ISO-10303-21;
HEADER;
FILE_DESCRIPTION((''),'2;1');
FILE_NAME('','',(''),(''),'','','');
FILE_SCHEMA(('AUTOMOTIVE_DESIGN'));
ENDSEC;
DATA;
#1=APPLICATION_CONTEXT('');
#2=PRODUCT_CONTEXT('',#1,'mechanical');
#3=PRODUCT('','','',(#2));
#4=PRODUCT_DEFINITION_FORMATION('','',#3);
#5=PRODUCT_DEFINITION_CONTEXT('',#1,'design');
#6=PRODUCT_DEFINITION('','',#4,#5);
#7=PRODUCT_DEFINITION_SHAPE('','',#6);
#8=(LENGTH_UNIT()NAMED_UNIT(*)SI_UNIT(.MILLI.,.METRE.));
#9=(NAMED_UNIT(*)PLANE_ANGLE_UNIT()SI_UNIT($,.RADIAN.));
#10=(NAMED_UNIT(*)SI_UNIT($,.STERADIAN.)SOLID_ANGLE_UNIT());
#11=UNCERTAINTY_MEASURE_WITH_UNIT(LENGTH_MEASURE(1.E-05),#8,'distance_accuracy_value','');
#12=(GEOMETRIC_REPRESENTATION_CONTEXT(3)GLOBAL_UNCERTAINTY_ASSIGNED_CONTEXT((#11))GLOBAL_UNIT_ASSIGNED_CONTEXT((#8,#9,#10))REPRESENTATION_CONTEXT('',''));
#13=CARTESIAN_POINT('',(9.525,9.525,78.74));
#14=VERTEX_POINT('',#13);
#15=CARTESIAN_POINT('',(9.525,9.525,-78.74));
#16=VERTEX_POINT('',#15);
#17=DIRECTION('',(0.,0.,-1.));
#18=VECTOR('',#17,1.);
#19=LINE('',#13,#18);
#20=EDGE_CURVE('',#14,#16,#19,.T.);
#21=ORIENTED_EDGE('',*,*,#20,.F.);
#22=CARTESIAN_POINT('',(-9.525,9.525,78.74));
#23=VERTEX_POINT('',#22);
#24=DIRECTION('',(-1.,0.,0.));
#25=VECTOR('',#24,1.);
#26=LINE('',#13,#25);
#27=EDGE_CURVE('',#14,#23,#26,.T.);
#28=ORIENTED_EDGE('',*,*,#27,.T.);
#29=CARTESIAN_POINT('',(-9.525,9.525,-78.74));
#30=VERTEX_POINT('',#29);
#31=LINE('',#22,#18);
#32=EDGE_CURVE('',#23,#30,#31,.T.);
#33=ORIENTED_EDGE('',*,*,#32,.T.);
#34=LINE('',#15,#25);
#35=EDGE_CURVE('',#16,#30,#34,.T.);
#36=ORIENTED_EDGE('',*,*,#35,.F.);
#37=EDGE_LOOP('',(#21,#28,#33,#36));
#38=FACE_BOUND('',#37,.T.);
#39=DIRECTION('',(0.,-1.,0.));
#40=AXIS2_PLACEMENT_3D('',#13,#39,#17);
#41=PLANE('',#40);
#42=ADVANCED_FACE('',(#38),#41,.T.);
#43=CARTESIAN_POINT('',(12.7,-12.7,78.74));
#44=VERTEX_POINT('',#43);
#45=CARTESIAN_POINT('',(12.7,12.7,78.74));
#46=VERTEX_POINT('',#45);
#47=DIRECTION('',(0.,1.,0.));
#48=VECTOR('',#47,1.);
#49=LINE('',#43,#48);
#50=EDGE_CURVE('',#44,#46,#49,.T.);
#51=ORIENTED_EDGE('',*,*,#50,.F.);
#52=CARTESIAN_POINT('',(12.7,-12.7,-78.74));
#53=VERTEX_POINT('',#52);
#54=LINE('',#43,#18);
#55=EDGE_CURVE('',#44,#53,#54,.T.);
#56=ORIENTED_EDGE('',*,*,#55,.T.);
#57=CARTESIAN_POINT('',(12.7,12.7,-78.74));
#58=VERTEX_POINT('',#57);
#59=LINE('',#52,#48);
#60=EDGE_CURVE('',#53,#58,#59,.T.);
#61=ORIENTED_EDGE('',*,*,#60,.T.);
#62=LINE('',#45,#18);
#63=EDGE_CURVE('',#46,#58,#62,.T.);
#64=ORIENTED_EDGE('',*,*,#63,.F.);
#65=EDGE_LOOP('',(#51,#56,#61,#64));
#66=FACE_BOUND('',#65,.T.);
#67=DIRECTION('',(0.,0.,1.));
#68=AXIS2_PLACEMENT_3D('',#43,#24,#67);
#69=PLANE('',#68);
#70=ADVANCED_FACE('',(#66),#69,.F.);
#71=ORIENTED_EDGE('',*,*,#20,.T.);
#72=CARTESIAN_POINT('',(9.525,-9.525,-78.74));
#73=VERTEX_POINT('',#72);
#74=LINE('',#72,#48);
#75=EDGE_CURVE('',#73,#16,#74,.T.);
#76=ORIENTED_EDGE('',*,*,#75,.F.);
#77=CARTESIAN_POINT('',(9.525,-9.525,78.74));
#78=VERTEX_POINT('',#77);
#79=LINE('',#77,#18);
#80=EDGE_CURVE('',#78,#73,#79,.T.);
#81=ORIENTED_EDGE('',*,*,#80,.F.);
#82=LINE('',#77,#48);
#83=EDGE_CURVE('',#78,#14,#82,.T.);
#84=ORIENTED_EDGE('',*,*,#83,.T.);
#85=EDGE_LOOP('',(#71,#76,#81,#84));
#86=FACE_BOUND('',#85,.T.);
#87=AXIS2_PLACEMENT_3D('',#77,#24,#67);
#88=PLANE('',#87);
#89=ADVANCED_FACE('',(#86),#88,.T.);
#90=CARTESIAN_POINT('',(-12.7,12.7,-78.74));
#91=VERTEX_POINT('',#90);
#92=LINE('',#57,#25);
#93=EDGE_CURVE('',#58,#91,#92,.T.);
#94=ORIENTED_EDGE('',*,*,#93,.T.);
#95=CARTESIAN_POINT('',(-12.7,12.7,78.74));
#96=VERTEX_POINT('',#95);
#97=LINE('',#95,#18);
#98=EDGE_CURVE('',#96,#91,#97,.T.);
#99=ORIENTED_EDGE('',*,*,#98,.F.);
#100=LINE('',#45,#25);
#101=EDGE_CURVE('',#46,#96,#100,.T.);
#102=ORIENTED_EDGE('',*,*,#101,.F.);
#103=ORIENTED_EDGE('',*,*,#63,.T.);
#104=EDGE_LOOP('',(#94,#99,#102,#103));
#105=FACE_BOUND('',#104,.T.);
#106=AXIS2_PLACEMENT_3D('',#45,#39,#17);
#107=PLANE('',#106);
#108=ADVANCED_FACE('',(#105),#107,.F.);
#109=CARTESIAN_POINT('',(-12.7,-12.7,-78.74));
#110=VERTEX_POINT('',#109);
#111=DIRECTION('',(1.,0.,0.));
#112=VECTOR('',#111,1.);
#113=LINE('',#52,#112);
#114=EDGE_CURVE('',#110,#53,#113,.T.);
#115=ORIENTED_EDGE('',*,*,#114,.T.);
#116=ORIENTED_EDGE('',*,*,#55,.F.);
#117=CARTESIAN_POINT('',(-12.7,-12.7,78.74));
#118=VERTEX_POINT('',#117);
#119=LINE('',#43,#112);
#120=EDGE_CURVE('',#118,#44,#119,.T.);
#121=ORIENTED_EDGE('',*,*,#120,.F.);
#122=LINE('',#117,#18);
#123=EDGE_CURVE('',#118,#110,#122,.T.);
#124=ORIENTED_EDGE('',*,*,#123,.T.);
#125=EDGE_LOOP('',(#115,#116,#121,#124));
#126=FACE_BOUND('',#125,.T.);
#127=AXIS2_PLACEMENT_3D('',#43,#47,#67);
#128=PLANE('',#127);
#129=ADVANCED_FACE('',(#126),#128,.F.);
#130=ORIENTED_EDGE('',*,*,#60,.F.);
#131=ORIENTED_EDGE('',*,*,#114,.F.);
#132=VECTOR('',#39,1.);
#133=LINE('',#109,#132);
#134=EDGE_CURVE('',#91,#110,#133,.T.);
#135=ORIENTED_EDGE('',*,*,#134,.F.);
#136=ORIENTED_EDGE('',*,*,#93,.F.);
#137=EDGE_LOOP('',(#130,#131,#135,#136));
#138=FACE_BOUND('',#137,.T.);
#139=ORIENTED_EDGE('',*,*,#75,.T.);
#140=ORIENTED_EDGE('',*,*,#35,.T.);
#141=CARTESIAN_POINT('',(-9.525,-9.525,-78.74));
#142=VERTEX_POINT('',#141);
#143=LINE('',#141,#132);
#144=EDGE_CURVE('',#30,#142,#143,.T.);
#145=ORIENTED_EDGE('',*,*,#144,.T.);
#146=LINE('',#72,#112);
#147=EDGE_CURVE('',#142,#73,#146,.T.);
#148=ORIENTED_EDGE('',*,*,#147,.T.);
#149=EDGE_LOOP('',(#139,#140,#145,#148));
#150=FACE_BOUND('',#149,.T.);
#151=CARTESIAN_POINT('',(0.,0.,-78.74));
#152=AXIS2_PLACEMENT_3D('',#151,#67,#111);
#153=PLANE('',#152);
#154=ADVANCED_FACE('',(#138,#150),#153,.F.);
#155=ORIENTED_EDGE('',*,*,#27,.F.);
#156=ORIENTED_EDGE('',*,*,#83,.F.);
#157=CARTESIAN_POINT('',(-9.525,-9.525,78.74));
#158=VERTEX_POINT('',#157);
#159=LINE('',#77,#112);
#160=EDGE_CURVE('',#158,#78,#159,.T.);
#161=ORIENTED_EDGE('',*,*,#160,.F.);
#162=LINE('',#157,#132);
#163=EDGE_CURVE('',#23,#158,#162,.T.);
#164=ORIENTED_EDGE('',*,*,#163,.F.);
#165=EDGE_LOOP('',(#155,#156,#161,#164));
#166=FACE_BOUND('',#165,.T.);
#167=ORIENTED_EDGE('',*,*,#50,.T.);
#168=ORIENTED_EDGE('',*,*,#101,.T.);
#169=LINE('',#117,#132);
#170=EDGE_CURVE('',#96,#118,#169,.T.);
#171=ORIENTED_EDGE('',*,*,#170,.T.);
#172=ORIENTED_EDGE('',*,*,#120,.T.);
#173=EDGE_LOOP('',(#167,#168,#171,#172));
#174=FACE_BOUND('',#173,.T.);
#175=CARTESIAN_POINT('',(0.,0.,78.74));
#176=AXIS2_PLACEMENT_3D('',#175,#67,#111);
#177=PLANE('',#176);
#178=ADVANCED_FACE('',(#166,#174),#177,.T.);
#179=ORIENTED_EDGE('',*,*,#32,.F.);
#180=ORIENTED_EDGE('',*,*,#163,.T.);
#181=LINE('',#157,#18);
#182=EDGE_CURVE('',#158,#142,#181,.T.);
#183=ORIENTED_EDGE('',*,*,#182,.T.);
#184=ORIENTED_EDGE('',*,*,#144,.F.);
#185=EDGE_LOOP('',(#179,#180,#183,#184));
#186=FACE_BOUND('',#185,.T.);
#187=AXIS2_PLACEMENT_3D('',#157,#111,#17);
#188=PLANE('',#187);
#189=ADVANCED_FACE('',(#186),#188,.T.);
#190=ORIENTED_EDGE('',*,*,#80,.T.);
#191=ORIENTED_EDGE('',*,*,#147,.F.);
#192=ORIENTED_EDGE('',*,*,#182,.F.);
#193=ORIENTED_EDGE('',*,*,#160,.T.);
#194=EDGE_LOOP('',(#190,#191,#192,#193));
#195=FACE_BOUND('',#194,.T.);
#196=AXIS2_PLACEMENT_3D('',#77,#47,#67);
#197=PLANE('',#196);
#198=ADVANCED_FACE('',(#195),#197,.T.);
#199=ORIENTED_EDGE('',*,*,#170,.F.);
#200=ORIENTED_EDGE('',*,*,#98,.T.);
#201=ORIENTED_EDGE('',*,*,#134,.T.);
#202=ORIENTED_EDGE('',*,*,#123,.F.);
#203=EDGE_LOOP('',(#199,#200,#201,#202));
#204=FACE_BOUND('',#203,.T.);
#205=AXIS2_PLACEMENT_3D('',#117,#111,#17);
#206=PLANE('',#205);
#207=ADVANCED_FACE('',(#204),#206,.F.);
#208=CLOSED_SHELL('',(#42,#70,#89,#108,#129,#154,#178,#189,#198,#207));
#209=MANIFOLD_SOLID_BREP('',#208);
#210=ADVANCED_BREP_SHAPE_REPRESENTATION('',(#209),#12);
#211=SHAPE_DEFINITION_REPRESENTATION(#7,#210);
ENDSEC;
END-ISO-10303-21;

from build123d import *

# Parameters (mm, degrees)
BOSS_EXTRUDE1_DEPTH      = 78.74
BOSS_EXTRUDE1_DEPTH_BACK = 78.74
SKETCH3_W                = 25.4
SKETCH3_H                = 25.4
SKETCH3_W_2              = 19.05
SKETCH3_H_2              = 19.05


with BuildPart() as part:
    # Sketch3 → Boss-Extrude1 (new, two sides: drawn at the far end of the back side and taken through both)
    with BuildSketch(Plane.XY.offset(-BOSS_EXTRUDE1_DEPTH_BACK)):
        Rectangle(SKETCH3_W, SKETCH3_H)
        Rectangle(SKETCH3_W_2, SKETCH3_H_2, mode=Mode.SUBTRACT)
    extrude(amount=BOSS_EXTRUDE1_DEPTH + BOSS_EXTRUDE1_DEPTH_BACK)


solid = part.part
